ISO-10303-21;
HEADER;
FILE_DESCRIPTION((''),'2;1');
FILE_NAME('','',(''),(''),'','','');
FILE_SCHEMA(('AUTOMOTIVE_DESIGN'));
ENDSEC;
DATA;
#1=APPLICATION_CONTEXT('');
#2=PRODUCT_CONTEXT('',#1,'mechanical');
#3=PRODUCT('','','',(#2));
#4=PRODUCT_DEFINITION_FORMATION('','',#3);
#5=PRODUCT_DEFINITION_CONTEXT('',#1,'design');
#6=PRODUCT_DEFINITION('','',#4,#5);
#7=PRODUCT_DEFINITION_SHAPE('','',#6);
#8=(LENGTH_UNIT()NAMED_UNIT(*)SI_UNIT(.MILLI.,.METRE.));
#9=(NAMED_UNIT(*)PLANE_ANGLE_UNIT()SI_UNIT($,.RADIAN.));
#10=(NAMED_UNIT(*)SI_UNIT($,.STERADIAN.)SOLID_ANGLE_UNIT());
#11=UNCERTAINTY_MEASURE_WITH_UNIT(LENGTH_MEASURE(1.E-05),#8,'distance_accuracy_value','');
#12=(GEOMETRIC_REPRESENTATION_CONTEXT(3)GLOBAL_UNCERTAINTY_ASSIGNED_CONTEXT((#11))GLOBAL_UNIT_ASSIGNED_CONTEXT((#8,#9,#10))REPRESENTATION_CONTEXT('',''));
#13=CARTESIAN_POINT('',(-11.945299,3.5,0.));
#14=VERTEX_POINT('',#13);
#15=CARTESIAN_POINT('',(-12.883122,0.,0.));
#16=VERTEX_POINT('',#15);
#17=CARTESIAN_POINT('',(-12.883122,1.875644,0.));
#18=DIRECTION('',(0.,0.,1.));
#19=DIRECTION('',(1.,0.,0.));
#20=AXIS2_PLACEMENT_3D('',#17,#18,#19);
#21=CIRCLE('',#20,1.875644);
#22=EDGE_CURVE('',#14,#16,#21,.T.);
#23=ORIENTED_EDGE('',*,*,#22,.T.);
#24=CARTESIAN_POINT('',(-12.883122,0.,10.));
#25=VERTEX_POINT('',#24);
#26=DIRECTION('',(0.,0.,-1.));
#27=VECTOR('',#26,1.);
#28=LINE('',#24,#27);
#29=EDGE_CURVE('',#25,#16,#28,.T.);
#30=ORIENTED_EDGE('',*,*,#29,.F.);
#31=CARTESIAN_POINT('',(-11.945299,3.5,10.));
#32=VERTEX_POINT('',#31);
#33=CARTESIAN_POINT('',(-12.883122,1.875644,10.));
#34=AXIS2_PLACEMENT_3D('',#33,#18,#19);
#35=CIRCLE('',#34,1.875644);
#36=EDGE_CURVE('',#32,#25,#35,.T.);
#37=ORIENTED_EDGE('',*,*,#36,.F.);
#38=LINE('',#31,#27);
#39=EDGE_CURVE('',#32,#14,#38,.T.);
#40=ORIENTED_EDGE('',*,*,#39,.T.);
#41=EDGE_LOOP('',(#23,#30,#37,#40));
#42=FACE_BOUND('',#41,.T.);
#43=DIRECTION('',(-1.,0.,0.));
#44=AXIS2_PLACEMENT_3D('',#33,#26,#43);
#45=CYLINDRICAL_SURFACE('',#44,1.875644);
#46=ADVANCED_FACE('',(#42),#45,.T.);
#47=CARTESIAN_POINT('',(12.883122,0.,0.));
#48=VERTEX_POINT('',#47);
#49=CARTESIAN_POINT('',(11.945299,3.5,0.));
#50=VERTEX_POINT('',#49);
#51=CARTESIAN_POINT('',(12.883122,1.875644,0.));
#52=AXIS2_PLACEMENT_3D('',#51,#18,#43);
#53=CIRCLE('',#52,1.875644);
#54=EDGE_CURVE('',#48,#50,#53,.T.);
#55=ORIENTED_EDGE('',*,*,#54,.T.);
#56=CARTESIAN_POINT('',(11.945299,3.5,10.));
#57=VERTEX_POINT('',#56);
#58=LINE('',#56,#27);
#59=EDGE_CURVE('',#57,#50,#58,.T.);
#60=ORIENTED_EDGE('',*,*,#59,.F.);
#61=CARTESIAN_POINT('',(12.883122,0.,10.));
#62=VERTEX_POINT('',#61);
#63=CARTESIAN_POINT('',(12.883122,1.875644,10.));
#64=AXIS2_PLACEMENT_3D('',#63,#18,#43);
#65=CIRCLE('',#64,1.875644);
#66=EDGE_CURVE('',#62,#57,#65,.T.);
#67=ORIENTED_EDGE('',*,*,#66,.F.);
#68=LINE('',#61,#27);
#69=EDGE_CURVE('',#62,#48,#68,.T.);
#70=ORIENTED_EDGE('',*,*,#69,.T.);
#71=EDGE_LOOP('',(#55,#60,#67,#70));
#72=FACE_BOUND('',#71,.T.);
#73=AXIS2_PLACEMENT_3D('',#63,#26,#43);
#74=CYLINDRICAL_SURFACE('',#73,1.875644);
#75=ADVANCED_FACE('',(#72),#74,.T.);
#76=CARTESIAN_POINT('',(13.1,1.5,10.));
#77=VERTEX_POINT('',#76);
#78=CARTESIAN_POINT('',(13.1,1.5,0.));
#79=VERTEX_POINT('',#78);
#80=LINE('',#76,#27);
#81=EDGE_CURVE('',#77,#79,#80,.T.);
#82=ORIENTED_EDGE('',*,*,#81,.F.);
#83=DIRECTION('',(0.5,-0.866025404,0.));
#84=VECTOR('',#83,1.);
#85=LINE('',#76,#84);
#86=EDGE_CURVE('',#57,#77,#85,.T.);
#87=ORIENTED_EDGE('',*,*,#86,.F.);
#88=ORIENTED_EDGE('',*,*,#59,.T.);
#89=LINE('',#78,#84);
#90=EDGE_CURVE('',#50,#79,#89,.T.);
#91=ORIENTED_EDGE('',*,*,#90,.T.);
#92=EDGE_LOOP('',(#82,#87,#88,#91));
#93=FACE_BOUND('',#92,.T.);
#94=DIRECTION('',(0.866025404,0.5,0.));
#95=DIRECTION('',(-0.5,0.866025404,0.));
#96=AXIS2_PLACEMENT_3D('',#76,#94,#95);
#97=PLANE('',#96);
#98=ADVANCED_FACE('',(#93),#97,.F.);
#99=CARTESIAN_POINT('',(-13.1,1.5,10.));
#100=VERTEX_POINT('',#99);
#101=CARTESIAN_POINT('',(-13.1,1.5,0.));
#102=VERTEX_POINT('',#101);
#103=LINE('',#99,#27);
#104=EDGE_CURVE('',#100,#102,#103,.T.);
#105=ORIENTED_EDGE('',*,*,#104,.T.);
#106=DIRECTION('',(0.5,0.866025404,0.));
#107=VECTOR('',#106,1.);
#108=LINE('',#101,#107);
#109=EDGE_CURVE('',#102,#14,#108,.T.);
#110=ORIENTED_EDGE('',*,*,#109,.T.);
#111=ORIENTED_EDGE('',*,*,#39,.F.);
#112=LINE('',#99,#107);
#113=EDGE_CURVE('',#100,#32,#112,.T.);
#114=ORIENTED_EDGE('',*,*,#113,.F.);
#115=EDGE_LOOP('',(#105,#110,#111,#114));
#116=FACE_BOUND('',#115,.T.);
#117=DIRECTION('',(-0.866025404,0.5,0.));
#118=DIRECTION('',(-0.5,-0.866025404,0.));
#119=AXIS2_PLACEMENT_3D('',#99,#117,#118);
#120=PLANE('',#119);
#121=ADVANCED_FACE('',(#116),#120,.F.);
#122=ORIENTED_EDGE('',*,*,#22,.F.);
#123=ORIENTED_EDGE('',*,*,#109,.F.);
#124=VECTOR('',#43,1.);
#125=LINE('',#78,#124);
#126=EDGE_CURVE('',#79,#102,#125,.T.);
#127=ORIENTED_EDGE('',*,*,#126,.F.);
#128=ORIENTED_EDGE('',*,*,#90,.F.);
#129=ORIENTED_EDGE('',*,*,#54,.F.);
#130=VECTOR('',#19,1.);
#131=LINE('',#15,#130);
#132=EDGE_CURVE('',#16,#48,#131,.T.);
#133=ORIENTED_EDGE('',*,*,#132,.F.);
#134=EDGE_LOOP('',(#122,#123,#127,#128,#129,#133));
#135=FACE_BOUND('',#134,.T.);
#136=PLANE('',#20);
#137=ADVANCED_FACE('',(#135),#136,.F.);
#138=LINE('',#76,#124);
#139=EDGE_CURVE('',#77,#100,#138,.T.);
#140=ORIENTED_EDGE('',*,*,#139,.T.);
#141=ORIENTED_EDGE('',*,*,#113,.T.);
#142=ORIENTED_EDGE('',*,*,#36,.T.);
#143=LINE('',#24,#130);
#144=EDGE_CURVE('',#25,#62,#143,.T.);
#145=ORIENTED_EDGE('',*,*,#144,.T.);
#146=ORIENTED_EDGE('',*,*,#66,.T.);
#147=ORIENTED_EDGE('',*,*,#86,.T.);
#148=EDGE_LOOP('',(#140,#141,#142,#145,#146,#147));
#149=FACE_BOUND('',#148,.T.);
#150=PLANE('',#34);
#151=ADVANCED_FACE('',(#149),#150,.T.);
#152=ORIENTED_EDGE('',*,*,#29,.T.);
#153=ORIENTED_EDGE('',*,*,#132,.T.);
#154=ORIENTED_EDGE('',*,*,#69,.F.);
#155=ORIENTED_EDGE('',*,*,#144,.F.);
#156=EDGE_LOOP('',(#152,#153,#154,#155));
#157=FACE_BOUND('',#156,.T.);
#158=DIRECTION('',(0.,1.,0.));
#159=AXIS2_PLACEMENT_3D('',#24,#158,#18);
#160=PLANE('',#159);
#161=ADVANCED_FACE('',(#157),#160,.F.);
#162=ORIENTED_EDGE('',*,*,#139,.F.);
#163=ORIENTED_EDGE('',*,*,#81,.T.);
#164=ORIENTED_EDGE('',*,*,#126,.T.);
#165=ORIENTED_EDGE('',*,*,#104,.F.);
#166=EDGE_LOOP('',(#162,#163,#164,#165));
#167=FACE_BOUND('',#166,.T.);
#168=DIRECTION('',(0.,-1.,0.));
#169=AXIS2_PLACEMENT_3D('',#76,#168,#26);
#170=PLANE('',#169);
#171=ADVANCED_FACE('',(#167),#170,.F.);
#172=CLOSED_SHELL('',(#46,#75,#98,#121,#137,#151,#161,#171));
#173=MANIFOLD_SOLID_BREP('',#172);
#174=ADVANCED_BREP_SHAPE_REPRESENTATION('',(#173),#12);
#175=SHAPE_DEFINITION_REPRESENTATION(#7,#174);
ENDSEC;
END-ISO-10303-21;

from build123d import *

# Parameters (mm, degrees)
BOSS_EXTRUDE1_DEPTH = 10


with BuildPart() as part:
    # Sketch1 → Boss-Extrude1 (new body)
    with BuildSketch(Plane.XY):
        with BuildLine():
            Line((13.1, 1.5), (11.945299462, 3.5))
            ThreePointArc((11.945299462, 3.5), (14.694854951, 2.361096826), (12.883121635, 0))
            Line((12.883121635, 0), (-12.883121635, 0))
            ThreePointArc((-12.883121635, 0), (-14.694854951, 2.361096826), (-11.945299462, 3.5))
            Line((-11.945299462, 3.5), (-13.1, 1.5))
            Line((-13.1, 1.5), (13.1, 1.5))
        make_face()
    extrude(amount=BOSS_EXTRUDE1_DEPTH)


solid = part.part
